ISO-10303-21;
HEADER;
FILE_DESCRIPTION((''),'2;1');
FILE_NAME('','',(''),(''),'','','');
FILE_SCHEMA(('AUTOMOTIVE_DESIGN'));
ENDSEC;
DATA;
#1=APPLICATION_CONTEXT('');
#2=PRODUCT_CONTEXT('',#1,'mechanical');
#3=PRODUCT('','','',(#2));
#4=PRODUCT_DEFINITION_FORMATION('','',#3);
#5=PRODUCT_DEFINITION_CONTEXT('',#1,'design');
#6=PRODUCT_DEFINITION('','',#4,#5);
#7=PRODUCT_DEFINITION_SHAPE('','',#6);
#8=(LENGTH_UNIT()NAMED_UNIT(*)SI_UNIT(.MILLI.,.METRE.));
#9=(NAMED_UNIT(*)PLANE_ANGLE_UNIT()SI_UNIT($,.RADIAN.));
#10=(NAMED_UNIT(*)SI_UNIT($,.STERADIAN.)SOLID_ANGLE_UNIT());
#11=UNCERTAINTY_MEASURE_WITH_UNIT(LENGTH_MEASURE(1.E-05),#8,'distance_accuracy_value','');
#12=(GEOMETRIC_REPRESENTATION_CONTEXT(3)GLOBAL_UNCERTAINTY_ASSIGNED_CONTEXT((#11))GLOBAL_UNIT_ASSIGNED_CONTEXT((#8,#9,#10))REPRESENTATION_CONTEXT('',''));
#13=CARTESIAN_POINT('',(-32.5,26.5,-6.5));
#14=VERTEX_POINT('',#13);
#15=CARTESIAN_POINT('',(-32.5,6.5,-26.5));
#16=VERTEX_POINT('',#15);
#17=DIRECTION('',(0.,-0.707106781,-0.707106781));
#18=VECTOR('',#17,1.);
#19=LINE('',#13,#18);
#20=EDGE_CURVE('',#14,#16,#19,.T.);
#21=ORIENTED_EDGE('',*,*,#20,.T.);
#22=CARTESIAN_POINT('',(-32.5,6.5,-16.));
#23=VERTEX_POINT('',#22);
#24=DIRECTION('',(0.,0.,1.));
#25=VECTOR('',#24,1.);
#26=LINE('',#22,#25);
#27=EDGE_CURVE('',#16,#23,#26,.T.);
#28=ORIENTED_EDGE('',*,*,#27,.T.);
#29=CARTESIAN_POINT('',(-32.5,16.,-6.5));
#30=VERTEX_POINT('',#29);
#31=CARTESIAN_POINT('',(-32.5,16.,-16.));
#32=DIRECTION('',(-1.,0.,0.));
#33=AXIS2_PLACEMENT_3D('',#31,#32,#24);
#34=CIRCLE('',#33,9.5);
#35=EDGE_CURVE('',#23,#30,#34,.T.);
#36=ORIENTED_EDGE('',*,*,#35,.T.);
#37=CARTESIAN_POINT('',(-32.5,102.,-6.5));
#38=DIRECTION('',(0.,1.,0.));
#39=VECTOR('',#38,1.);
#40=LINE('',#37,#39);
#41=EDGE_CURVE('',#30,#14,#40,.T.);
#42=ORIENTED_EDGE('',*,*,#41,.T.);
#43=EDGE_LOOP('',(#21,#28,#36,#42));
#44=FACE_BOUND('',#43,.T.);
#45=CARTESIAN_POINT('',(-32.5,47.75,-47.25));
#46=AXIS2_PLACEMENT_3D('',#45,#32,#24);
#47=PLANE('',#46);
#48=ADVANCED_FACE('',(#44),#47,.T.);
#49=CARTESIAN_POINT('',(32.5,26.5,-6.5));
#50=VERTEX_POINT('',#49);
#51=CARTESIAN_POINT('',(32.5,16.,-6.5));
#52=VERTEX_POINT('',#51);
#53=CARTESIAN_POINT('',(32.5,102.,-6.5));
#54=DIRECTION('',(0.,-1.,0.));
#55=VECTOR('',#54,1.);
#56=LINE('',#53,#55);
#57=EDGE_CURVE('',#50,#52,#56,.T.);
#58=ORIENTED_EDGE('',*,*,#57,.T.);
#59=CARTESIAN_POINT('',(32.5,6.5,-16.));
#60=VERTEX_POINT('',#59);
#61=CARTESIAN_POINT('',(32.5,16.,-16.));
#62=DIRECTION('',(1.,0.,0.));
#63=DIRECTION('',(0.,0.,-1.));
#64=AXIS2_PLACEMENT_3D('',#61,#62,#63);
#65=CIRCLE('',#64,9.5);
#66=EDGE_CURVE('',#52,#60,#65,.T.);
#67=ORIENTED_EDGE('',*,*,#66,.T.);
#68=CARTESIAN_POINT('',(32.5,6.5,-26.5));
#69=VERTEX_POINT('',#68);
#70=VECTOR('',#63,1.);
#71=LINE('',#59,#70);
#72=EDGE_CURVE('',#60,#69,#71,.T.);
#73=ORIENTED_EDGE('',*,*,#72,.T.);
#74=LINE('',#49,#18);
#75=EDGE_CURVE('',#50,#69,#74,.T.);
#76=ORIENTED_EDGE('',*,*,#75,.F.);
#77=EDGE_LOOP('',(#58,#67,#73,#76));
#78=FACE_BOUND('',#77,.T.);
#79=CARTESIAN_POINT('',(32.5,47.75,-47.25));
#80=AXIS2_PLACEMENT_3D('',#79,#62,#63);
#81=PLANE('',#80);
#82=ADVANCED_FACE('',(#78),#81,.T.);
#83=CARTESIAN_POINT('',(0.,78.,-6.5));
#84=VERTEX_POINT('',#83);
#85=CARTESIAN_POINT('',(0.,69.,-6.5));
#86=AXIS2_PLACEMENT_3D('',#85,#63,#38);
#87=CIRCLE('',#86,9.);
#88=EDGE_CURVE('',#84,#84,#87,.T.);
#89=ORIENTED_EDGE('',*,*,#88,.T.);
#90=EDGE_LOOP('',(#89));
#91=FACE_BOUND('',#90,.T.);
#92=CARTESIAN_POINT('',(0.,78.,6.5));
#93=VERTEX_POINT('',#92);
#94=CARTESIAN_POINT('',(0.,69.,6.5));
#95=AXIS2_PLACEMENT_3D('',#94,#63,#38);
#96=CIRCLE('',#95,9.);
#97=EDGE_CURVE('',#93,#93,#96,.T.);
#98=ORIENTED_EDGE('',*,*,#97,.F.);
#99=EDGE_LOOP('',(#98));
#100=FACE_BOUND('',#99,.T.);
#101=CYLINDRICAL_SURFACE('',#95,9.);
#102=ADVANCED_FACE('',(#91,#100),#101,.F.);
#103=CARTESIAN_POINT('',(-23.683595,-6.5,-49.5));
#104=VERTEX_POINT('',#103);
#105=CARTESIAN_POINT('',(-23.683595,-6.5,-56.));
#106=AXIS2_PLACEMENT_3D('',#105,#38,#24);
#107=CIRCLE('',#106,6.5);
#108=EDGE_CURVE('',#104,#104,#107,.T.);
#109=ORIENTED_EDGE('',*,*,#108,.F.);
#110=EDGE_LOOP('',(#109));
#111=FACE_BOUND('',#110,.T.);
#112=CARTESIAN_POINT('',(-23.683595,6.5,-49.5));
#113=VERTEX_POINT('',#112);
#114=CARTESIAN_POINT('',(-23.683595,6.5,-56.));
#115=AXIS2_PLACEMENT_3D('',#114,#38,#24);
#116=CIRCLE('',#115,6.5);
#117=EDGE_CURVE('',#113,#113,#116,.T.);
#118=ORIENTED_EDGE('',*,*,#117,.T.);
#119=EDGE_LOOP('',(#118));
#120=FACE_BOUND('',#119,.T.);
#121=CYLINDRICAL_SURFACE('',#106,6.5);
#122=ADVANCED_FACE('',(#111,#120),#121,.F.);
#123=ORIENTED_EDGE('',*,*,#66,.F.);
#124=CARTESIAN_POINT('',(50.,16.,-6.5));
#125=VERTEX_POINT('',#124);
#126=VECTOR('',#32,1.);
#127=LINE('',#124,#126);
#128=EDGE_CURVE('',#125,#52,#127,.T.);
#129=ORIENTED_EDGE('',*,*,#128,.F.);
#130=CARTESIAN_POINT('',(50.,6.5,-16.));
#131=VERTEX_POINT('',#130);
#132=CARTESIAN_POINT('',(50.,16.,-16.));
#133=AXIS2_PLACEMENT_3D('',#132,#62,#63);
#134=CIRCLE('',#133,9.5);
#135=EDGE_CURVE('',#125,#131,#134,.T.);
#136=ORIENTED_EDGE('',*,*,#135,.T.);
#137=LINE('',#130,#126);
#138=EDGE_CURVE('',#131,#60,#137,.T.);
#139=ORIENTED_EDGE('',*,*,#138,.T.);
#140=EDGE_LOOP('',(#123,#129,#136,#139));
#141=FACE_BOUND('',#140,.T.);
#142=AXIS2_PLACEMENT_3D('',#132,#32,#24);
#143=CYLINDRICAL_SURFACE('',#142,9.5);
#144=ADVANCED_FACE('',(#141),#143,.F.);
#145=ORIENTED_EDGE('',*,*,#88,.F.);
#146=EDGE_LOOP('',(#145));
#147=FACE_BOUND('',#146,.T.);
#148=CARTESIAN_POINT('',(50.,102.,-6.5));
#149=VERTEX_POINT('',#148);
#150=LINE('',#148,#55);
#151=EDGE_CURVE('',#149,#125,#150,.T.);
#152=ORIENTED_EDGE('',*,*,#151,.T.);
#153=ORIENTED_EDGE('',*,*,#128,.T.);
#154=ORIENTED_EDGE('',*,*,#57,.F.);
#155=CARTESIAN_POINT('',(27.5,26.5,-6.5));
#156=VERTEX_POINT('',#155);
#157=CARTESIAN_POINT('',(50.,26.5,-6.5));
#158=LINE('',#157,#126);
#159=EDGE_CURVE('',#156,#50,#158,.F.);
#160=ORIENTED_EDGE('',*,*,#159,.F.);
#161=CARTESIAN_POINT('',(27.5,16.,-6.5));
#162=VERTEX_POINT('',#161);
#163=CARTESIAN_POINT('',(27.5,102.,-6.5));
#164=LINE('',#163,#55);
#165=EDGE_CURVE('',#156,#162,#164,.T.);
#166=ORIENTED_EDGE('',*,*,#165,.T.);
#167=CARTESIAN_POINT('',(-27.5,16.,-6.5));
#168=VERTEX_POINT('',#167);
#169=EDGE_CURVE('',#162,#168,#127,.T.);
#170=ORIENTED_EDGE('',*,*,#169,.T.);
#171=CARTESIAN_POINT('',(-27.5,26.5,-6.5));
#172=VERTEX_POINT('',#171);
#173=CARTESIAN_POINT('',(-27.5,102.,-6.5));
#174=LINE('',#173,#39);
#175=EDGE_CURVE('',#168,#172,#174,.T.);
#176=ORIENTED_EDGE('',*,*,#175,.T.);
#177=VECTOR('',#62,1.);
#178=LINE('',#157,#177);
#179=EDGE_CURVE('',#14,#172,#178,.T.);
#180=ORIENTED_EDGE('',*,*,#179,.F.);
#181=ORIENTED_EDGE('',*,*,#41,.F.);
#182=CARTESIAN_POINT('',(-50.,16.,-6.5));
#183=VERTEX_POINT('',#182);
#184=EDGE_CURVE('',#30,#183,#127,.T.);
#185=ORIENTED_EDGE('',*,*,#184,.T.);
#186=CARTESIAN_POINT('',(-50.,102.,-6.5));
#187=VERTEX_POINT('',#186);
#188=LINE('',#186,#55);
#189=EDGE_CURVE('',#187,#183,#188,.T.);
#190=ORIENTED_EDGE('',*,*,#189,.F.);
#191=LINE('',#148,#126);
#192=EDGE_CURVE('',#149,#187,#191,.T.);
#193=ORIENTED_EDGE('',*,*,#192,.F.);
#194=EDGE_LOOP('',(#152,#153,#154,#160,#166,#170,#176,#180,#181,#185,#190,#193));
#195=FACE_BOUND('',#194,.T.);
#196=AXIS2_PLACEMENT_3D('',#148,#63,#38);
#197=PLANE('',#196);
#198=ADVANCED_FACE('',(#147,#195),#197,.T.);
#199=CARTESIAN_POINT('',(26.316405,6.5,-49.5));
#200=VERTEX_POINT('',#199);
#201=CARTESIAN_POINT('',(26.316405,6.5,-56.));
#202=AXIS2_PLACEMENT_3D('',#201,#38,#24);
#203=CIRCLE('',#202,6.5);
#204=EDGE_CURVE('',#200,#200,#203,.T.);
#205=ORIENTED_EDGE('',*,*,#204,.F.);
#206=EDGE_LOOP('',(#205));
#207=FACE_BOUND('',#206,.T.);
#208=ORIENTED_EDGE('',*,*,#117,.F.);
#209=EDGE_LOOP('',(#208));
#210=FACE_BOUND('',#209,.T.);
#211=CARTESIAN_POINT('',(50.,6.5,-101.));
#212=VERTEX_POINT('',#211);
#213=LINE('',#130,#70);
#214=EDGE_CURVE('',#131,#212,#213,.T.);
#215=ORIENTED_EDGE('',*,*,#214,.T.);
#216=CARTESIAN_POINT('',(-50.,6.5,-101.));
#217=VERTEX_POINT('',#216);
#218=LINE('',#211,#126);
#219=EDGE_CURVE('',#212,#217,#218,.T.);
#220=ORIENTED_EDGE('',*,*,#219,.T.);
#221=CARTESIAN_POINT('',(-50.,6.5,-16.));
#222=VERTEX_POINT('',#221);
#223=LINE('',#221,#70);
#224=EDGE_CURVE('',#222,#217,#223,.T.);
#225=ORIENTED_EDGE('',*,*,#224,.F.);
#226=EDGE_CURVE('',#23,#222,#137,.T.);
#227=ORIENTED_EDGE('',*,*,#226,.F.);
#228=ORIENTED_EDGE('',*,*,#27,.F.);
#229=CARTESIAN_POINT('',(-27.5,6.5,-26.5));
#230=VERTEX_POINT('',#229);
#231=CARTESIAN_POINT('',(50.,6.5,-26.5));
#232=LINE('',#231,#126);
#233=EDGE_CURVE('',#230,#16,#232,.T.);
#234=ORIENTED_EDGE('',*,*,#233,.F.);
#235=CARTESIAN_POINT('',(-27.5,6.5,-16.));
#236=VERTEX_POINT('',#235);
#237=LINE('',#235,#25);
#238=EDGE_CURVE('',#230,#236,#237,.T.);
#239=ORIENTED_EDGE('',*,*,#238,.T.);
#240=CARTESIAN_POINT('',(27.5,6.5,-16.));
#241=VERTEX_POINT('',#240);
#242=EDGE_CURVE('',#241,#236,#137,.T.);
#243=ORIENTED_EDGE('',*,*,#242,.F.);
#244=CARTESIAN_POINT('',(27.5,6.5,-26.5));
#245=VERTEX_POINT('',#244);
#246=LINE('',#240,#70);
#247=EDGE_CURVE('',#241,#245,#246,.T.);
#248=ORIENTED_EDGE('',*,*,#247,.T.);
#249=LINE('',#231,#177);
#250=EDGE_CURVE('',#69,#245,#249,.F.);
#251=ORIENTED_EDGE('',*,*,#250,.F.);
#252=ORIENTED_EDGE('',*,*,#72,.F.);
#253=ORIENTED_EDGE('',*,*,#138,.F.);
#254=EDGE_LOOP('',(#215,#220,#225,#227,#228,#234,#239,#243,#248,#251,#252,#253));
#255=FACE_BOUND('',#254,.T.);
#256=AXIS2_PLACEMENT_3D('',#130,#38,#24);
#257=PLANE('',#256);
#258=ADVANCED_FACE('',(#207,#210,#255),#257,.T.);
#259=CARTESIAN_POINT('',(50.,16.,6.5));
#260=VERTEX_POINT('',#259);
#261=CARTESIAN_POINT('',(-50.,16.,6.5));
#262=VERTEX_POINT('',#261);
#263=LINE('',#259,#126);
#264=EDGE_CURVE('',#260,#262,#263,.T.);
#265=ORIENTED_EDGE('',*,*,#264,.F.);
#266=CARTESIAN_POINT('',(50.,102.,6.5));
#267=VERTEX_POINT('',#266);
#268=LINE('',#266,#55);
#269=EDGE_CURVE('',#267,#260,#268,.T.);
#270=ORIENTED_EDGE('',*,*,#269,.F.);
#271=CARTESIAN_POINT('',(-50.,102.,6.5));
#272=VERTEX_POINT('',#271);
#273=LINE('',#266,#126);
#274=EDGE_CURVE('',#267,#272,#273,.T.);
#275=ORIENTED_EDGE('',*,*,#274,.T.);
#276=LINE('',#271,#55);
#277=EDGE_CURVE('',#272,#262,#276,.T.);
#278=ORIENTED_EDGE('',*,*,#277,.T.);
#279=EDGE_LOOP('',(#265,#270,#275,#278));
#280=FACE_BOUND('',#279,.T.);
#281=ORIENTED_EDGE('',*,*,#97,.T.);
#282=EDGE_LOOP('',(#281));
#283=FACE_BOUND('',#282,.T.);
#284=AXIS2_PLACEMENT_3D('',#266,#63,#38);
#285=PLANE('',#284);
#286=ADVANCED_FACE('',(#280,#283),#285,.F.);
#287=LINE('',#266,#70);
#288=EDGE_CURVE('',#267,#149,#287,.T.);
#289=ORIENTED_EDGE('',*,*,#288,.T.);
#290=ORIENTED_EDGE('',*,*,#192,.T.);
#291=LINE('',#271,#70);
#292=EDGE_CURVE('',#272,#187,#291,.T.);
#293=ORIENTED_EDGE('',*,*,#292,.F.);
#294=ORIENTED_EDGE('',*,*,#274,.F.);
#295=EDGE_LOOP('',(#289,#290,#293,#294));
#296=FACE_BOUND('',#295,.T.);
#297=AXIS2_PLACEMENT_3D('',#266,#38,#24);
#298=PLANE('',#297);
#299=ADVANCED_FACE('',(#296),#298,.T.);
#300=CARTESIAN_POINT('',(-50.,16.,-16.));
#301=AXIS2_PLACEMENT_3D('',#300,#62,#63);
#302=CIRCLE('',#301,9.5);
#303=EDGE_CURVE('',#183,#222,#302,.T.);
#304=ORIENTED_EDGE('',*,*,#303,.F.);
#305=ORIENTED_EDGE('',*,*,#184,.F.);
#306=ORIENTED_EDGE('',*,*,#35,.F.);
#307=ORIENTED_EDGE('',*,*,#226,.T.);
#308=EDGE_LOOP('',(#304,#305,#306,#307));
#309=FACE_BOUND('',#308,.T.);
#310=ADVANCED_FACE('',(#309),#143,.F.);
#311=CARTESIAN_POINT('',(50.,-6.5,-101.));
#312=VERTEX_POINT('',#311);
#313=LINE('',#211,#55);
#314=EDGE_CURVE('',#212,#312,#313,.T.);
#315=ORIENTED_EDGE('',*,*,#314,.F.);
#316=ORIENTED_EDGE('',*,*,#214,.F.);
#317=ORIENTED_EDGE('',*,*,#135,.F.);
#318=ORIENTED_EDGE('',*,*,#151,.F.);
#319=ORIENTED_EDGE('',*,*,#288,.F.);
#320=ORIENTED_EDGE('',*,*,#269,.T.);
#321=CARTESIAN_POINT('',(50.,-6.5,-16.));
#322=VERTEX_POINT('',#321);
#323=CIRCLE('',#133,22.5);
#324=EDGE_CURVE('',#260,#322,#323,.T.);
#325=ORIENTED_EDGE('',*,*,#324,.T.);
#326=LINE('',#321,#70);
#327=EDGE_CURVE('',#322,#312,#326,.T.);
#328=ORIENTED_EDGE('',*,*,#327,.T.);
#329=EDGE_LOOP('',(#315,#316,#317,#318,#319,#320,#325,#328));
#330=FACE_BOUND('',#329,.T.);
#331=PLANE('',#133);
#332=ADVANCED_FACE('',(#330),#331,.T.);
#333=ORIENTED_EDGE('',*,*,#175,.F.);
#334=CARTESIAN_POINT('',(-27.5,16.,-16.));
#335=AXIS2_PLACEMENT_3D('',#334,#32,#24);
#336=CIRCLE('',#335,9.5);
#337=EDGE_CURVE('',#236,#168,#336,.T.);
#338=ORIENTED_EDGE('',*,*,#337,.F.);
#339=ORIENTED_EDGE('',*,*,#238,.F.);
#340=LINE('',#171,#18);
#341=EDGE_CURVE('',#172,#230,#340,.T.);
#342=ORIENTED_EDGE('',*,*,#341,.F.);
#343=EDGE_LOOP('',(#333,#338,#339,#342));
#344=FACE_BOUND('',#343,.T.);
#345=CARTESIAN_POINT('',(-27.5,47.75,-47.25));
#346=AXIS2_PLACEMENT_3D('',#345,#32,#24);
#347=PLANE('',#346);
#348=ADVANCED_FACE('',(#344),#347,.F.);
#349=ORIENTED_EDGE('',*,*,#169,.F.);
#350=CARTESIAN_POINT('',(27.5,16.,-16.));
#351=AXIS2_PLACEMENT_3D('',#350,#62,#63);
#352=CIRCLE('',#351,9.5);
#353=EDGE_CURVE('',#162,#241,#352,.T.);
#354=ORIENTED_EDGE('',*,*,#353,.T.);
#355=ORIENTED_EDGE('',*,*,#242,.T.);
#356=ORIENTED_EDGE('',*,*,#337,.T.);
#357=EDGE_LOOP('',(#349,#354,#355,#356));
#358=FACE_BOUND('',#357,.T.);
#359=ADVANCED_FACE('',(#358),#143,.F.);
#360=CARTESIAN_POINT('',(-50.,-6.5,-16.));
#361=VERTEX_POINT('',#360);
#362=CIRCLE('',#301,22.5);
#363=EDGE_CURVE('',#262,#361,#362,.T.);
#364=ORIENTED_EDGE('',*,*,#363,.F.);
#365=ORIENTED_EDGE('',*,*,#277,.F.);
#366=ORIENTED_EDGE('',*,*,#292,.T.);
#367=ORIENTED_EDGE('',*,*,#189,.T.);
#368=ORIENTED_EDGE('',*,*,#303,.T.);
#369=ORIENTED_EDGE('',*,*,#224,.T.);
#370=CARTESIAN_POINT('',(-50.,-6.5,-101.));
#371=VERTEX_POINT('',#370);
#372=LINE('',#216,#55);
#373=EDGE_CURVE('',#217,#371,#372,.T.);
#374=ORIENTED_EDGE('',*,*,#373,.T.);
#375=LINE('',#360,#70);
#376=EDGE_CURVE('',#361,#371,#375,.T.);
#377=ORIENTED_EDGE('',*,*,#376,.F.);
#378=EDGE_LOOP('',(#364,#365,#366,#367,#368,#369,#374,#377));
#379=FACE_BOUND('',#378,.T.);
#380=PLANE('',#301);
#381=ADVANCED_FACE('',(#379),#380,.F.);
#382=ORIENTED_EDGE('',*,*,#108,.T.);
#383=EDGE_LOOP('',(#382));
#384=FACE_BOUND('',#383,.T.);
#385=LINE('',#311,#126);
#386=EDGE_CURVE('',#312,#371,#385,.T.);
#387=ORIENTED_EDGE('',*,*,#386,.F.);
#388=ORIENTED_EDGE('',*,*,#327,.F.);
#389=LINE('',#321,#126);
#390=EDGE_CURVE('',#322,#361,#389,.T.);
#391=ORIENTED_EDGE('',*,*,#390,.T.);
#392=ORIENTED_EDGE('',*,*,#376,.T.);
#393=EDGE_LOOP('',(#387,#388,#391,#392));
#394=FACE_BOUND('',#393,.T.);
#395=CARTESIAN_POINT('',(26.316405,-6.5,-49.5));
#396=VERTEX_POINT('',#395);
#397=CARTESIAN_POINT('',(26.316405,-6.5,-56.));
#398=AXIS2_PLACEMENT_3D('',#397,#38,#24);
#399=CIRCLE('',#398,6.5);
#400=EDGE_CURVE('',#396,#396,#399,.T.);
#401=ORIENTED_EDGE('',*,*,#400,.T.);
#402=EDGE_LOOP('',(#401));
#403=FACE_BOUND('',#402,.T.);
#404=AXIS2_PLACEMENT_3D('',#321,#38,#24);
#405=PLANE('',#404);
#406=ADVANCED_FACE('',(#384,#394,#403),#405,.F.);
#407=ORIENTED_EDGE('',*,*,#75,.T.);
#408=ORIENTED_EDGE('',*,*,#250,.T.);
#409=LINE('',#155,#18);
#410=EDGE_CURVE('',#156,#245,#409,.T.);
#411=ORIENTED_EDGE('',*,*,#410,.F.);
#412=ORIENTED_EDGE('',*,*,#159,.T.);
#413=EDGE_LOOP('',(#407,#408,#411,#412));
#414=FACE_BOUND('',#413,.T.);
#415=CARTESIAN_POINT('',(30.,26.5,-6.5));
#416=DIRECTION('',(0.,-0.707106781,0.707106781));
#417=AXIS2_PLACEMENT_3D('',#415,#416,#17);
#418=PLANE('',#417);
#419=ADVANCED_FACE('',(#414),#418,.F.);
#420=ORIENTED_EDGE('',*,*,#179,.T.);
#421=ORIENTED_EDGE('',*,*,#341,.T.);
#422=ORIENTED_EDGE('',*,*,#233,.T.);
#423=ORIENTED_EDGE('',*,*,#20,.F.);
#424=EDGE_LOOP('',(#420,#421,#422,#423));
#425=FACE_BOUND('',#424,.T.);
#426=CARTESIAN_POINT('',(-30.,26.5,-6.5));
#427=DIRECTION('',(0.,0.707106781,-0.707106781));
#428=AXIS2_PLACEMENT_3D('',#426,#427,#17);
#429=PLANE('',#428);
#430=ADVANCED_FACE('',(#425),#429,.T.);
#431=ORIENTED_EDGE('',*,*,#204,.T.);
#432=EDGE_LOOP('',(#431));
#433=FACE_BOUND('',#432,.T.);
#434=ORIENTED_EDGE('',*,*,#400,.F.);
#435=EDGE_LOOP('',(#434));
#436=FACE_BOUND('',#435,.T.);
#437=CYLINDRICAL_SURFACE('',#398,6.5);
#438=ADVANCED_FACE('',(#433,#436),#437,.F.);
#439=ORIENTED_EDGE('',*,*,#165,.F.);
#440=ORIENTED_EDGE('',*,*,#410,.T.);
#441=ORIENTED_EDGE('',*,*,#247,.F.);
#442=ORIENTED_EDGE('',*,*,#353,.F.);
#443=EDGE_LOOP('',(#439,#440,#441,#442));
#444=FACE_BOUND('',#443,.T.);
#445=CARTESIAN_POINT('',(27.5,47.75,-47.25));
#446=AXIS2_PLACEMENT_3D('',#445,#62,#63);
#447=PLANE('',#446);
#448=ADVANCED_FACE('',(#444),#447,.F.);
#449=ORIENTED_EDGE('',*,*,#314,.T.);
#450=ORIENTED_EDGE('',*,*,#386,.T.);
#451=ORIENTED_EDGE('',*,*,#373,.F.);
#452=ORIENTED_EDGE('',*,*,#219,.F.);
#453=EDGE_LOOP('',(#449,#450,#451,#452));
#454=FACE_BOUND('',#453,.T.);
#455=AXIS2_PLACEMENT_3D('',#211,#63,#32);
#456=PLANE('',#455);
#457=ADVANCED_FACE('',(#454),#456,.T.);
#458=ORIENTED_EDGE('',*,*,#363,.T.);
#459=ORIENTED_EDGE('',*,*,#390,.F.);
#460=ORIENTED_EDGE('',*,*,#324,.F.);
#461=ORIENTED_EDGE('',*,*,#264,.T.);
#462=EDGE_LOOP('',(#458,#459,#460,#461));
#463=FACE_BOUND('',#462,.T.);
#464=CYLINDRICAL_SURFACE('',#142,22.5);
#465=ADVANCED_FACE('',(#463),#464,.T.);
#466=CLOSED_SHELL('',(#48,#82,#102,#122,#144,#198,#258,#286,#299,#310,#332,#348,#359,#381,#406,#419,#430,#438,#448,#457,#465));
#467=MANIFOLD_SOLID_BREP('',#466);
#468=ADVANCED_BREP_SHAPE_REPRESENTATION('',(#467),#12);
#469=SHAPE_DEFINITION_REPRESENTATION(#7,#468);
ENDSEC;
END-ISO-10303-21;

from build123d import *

# Parameters (mm, degrees)
ESTRUSIONE_SOTTILE1_DEPTH = 50
SCHIZZO2_R                = 9
TAGLIO_ESTRUSIONE1_DEPTH  = 148.764170217
SCHIZZO3_R                = 6.5
TAGLIO_ESTRUSIONE2_DEPTH  = 148.720174655
NERVATURA1_REACH          = 166.332
SCHIZZO4_WALL_W           = 358.948233372
SCHIZZO4_WALL_H           = 5


with BuildPart() as part:
    # Schizzo1 → Estrusione-Sottile1 (new, symmetric)
    with BuildSketch(Plane(origin=(0, 0, 0), x_dir=(0, 0, -1), z_dir=(1, 0, 0))):
        with BuildLine():
            Line((-6.5, 102), (-6.5, 16))
            ThreePointArc((-6.5, 16), (0.090097423, 0.090097423), (16, -6.5))
            Line((16, -6.5), (101, -6.5))
            Line((101, -6.5), (101, 6.5))
            Line((101, 6.5), (16, 6.5))
            ThreePointArc((16, 6.5), (9.282485579, 9.282485579), (6.5, 16))
            Line((6.5, 16), (6.5, 102))
            Line((6.5, 102), (-6.5, 102))
        make_face()
    extrude(amount=ESTRUSIONE_SOTTILE1_DEPTH, both=True)

    # Schizzo2 → Taglio-Estrusione1 (cut, through all)
    with BuildSketch(Plane(origin=(0, 0, -6.5), x_dir=(-1, 0, 0), z_dir=(0, 0, -1))):
        with Locations(Location((0, 69, 0), (0, 0, 90))):
            Circle(SCHIZZO2_R)
    extrude(amount=-TAGLIO_ESTRUSIONE1_DEPTH, mode=Mode.SUBTRACT)

    # Schizzo3 → Taglio-Estrusione2 (cut, through all)
    with BuildSketch(Plane(origin=(0, 6.5, 0), x_dir=(1, 0, 0), z_dir=(0, 1, 0))):
        with Locations(Location((-23.683594655, 56, 0), (0, 0, 270))):
            Circle(SCHIZZO3_R)
        with Locations(Location((26.316405345, 56, 0), (0, 0, 270))):
            Circle(SCHIZZO3_R)
    extrude(amount=-TAGLIO_ESTRUSIONE2_DEPTH, mode=Mode.SUBTRACT)

    # Schizzo4 wall → Nervatura1 (add, up to next)
    with BuildSketch(Plane(origin=(30, 16.5, -16.5), x_dir=(0, -0.707106781187, -0.707106781187), z_dir=(0, 0.707106781187, -0.707106781187)), mode=Mode.PRIVATE) as nervatura1_sk1:
        Rectangle(SCHIZZO4_WALL_W, SCHIZZO4_WALL_H)
    nervatura1_tool1 = extrude(nervatura1_sk1.sketch, amount=-NERVATURA1_REACH, mode=Mode.PRIVATE) - part.part
    nervatura1 = nervatura1_tool1.solids().sort_by_distance((30, 16.5, -16.5))[0]
    add(nervatura1)

    # Specchia1: Nervatura1 across plane
    add(nervatura1.mirror(Plane(origin=(0, 0, 0), x_dir=(0, 0, 1), z_dir=(1, 0, 0))))


solid = part.part
